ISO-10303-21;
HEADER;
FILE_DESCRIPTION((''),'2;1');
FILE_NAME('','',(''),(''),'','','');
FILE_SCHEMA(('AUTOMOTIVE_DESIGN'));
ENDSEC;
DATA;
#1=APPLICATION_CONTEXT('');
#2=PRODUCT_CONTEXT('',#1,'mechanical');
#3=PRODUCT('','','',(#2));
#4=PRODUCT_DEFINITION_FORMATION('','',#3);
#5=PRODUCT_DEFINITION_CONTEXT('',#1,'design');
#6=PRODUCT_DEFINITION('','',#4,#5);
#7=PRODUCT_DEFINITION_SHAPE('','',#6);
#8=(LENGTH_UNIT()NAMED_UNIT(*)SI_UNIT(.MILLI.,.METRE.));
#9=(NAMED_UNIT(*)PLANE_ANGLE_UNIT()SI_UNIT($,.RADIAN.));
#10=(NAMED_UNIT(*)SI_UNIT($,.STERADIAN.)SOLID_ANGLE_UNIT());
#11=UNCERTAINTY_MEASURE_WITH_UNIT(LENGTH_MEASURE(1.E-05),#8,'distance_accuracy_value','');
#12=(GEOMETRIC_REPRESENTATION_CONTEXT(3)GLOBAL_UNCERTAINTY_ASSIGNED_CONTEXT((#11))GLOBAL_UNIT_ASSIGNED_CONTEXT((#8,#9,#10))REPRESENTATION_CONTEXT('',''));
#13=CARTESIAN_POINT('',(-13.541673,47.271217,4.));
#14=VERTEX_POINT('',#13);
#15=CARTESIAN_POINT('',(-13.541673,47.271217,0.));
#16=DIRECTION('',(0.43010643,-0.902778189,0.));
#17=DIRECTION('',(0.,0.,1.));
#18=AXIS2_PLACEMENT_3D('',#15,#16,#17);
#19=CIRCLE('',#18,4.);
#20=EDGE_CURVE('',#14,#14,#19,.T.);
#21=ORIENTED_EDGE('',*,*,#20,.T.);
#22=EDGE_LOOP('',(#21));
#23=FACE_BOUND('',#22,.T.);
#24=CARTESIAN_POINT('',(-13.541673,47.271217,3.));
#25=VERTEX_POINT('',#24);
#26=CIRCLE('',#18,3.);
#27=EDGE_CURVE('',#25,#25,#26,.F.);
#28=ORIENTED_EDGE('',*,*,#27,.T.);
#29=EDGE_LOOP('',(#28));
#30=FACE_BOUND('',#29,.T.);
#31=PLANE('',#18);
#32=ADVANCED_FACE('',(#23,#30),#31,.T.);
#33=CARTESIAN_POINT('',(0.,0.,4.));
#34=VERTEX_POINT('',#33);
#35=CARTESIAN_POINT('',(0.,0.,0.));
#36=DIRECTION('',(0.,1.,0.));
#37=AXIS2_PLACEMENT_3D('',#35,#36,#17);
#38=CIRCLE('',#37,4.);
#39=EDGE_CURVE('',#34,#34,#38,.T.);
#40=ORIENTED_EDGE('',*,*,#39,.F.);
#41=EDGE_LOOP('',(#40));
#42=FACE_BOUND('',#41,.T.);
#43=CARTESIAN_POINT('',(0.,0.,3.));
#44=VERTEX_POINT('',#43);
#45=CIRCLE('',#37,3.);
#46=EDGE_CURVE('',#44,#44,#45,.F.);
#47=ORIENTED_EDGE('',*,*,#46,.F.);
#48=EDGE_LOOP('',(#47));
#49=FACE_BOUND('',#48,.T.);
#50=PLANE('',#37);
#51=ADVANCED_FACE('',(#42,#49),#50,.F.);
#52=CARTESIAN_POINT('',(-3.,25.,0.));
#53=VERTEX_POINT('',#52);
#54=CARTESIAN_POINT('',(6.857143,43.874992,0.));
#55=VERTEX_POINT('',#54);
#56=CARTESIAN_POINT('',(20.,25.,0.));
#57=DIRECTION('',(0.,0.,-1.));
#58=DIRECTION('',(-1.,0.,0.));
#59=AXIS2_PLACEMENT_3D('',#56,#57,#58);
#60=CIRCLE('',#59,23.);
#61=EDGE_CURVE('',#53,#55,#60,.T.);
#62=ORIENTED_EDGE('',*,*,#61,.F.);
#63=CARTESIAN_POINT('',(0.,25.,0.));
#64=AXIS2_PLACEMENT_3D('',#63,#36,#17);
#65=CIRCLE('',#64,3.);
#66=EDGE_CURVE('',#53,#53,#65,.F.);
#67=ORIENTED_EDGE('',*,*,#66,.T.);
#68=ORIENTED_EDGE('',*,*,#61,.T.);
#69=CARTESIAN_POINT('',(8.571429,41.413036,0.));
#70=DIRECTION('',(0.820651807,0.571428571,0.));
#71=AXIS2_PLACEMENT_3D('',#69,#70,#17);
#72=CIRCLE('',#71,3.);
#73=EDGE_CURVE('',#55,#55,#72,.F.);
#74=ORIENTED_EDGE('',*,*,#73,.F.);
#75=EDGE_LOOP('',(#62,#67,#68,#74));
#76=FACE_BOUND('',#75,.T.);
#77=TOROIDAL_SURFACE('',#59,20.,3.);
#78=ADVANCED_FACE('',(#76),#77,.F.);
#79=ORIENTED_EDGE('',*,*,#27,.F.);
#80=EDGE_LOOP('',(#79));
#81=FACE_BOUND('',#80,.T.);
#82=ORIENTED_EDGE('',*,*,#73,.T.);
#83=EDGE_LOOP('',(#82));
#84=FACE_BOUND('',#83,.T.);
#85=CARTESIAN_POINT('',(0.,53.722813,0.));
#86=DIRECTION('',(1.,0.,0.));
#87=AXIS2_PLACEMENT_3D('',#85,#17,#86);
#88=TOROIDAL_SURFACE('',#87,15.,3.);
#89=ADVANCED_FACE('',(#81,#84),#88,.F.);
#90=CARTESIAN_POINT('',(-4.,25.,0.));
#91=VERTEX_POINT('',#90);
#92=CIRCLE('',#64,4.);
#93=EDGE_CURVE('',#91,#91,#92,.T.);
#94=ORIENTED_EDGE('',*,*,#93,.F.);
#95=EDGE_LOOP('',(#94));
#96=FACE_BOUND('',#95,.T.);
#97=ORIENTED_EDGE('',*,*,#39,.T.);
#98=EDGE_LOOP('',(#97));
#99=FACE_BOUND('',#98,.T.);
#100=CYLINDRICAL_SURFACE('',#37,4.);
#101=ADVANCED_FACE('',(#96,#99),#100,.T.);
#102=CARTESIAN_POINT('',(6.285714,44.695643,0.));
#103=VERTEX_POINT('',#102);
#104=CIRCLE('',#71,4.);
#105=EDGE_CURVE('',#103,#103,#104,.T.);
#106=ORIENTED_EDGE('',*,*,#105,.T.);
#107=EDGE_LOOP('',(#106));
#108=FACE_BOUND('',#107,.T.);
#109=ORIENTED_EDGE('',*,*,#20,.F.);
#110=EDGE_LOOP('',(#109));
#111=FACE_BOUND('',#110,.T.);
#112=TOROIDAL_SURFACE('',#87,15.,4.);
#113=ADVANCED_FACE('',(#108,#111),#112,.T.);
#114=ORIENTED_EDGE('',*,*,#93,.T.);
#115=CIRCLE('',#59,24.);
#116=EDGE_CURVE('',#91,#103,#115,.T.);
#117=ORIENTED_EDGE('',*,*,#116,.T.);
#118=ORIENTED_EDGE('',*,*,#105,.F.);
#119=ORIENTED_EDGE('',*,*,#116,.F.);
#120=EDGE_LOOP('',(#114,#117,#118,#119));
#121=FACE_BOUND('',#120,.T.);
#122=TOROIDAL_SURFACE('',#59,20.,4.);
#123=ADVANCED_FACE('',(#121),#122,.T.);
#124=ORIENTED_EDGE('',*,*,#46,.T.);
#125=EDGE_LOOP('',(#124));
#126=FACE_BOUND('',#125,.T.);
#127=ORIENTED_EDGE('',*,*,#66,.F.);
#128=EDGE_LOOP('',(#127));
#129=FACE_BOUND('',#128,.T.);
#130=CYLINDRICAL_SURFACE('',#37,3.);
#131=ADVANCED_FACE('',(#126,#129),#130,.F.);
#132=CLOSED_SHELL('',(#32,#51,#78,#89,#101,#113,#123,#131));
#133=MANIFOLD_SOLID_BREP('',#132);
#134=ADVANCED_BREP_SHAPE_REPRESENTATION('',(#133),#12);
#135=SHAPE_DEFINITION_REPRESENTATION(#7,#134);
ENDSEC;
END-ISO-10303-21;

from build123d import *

# Parameters (mm, degrees)
IZIM4_R   = 4
IZIM4_R_2 = 3


with BuildPart() as part:
    # Süpür1: sweep along a path in Çizim3
    with BuildLine(Plane.XY) as s_p_r1_path:
        Line((0, 0), (0, 25))
        ThreePointArc((0, 25), (2.271894791, 34.258200998), (8.571428571, 41.413036133))
        ThreePointArc((8.571428571, 41.413036133), (3.84127611, 68.22262695), (-13.541672839, 47.271216785))
    # Çizim4 → Süpür1 (sweep)
    with BuildSketch(Plane(origin=(0, 0, 0), x_dir=(1, 0, 0), z_dir=(0, 1, 0))):
        Circle(IZIM4_R)
        Circle(IZIM4_R_2, mode=Mode.SUBTRACT)
    sweep(path=s_p_r1_path.line)


solid = part.part
